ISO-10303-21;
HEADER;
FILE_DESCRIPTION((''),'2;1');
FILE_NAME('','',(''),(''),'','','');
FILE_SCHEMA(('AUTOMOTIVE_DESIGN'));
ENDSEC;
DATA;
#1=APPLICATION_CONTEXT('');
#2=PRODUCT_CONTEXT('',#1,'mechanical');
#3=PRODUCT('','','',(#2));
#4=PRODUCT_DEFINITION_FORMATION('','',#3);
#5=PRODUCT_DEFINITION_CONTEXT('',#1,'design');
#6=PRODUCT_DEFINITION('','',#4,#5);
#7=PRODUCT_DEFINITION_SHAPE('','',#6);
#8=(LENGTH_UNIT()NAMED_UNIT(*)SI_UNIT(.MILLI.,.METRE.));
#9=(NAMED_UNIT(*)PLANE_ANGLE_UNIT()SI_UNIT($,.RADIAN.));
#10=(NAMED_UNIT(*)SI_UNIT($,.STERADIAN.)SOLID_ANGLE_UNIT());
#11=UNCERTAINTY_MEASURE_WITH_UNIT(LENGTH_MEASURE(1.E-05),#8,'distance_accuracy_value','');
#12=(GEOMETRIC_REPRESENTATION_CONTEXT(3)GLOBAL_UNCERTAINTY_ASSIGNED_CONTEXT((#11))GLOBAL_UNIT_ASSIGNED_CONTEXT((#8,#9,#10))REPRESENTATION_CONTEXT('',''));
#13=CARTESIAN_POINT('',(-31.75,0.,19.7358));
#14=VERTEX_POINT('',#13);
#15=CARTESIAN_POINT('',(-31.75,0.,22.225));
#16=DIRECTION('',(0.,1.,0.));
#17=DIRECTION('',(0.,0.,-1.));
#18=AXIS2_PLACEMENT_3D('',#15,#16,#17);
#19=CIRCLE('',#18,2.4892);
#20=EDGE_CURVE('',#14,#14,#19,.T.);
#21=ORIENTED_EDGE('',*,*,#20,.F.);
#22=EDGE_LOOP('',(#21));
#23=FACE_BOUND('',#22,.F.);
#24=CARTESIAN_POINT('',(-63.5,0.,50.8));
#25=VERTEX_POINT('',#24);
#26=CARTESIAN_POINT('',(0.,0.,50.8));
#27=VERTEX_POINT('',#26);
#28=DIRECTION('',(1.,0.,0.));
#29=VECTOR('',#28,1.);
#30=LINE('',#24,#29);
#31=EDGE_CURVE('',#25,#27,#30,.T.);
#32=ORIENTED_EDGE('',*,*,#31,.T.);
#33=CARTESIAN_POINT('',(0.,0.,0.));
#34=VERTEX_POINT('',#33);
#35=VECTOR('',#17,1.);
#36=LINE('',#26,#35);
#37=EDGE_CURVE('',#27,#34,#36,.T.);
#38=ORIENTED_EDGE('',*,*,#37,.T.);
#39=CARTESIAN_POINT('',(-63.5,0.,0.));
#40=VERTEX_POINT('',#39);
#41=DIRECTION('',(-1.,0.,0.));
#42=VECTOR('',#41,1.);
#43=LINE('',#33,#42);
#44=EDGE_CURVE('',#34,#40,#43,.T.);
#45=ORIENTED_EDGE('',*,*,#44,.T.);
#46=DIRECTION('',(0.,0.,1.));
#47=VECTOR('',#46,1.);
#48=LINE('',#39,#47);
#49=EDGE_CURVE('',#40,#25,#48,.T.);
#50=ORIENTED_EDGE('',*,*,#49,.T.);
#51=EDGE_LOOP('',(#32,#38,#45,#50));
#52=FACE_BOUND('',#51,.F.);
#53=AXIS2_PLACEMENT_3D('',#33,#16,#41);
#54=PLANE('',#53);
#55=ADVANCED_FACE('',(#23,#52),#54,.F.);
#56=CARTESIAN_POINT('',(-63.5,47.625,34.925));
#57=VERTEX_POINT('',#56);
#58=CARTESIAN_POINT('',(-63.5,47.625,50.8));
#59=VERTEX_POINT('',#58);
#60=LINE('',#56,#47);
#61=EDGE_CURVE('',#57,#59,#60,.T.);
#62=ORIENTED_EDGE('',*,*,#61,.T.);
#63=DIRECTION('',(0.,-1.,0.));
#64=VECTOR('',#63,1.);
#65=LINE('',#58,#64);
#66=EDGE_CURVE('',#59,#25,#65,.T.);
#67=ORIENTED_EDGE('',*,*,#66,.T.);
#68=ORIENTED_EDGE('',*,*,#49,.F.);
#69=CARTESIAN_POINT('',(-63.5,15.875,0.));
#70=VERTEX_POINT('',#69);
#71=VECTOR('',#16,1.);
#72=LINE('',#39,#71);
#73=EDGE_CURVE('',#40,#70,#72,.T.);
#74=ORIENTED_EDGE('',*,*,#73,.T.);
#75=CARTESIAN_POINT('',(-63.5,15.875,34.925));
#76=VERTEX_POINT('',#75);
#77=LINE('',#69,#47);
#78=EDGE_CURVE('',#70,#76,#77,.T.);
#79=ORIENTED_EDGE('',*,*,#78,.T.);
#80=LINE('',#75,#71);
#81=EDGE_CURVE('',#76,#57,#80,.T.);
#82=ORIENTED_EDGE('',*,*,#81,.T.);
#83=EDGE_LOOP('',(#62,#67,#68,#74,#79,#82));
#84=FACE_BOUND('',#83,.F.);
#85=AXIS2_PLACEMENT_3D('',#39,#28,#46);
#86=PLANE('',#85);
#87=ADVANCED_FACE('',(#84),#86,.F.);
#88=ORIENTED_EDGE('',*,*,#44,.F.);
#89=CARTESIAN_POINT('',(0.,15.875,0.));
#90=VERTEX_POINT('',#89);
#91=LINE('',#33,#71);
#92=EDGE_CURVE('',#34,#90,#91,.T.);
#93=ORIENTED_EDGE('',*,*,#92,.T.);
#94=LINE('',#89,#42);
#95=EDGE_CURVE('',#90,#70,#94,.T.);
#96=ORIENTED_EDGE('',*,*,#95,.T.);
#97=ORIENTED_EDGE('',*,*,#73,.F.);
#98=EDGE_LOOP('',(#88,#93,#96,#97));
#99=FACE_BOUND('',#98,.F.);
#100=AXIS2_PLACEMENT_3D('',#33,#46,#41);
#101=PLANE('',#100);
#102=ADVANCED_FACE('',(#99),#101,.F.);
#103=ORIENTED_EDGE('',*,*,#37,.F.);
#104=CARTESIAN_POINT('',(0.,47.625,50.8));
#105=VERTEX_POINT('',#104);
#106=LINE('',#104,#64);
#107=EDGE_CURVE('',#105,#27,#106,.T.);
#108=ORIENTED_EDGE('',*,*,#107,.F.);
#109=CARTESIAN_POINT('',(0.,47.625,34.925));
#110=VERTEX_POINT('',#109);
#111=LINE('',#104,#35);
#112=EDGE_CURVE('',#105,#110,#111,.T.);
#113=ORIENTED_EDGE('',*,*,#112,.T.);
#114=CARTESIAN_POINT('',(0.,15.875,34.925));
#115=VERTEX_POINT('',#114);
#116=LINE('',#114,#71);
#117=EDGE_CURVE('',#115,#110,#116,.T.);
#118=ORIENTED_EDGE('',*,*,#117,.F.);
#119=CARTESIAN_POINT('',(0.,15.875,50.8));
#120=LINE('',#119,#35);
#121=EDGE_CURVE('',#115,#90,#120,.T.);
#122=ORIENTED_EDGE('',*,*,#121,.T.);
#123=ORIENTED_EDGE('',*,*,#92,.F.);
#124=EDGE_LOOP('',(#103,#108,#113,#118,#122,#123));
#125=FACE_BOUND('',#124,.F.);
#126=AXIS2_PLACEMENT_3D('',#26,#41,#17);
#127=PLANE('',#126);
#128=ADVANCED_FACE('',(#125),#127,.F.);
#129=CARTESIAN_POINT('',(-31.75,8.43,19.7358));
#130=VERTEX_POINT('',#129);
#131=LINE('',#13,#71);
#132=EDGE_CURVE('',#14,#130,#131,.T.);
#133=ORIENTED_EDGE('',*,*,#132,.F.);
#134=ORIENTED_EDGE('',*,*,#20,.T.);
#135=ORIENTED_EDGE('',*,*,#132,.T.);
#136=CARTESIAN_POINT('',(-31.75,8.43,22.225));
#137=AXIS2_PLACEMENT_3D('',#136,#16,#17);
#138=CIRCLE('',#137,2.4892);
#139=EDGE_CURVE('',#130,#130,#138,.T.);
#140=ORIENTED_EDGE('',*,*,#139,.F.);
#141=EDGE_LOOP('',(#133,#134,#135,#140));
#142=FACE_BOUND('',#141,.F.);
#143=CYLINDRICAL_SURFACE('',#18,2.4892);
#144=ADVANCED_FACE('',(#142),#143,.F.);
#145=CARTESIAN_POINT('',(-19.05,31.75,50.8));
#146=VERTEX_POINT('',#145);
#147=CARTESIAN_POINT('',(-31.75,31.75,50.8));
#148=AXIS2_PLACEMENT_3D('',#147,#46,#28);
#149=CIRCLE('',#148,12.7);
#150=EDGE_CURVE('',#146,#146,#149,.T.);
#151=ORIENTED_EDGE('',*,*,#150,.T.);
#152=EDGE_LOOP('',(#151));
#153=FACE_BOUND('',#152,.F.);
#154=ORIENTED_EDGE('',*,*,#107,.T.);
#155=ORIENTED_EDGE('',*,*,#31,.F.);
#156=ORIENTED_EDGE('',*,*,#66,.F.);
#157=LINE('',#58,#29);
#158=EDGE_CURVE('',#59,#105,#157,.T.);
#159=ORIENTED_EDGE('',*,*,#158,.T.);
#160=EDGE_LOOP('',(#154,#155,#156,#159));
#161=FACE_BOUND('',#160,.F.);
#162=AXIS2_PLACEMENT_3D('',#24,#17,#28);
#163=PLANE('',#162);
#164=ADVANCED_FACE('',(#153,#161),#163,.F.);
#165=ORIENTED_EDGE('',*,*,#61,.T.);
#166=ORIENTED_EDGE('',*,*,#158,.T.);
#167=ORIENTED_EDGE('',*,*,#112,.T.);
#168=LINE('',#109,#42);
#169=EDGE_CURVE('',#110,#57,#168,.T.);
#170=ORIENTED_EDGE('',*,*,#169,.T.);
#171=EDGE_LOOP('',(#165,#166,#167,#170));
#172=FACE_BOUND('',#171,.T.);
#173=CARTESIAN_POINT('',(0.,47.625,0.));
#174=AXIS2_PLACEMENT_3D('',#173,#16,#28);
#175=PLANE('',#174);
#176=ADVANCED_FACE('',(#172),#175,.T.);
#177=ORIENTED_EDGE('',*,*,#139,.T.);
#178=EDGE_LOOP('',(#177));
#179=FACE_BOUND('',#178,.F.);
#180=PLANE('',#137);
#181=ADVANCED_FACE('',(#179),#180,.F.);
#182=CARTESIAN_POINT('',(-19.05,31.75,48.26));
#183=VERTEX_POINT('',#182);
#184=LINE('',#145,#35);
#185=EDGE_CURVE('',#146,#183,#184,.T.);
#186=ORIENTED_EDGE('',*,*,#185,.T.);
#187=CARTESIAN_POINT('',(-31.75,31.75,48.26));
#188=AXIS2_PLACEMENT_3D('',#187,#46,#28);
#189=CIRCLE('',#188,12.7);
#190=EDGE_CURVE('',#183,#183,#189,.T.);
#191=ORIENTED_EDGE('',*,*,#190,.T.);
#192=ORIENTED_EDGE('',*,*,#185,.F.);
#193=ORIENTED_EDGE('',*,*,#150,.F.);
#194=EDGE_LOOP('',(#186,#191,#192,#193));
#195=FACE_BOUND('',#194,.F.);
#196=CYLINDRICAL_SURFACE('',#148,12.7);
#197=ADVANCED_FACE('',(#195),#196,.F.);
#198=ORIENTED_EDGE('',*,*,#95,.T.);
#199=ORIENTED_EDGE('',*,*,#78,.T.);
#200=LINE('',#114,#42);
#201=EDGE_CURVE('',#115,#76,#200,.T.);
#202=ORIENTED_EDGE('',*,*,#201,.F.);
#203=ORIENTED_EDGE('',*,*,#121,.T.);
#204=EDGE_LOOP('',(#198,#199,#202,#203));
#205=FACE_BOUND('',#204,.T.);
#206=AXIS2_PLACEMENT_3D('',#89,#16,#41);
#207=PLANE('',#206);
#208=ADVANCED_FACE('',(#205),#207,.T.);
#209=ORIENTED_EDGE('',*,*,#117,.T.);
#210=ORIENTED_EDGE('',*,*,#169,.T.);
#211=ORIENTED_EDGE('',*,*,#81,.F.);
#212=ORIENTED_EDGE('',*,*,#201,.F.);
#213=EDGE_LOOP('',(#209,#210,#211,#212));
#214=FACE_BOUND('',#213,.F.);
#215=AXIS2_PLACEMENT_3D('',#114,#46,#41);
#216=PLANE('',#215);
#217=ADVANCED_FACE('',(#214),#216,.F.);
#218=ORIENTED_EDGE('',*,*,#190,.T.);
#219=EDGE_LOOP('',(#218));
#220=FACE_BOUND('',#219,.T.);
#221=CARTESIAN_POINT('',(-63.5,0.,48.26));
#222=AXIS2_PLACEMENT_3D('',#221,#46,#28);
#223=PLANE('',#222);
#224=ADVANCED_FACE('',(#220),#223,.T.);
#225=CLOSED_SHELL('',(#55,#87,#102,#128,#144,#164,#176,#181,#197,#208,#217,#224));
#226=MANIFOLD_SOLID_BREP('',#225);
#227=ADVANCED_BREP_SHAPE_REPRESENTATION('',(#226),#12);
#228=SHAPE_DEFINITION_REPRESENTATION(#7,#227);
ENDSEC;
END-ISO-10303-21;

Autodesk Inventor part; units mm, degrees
ref_plane "YZ Plane" through (0, 0, 0) normal (1, 0, 0) x (0, 1, 0)
ref_plane "XZ Plane" through (0, 0, 0) normal (0, 1, 0) x (-1, 0, 0)
ref_plane "XY Plane" through (0, 0, 0) normal (0, 0, 1) x (1, 0, 0)
sketch "Sketch1" plane through (0, 0, 0) normal (0, 1, 0) x (-1, 0, 0)
  line L0 (0, 0) -> (63.5, 0)
  line L1 (63.5, 0) -> (63.5, 50.8)
  line L2 (63.5, 50.8) -> (0, 50.8)
  line L3 (0, 50.8) -> (0, 0)
  dimension "cameraWidth" = 63.5
  dimension "cameraDepth" = 50.8
extrude "Extrusion1" add sketch "Sketch1" along normal blind 15.875
sketch "Sketch2" plane through (0, 15.875, 0) normal (0, 1, 0) x (1, 0, 0)
  line L0 (0, -50.8) -> (0, 0) projected
  line L1 (-63.5, -50.8) -> (0, -50.8)
  line L2 (0, -50.8) -> (0, -34.925)
  line L3 (0, -34.925) -> (-63.5, -34.925)
  line L4 (-63.5, -34.925) -> (-63.5, -50.8)
  dimension "d4" = 15.875
extrude "Extrusion2" add sketch "Sketch2" along normal blind 31.75
sketch "Sketch3" plane through (-63.5, 0, 50.8) normal (0, 0, 1) x (1, 0, 0)
  line L0 (0, 0) -> (63.5, 0) projected
  line L1 (0, 0) -> (0, 47.625) projected
  circle A0 centre (31.75, 31.75) radius 12.7
  dimension "d7" = 31.75
  dimension "cameraLensHeight" = 31.75
  dimension "d9" = 25.4
extrude "Extrusion3" cut sketch "Sketch3" against normal blind 2.54
sketch "Sketch4" plane through (-63.5, 0, 50.8) normal (0, 0, 1) x (1, 0, 0)
  circle A0 centre (31.75, 31.75) radius 12.7 projected
  line L0 (0, 0) -> (63.5, 0) projected
  line L1 (63.5, 0) -> (63.5, 47.625) projected
  line L2 (0, 47.625) -> (63.5, 47.625) projected
  line L3 (0, 0) -> (0, 47.625) projected
  line L4 (0, 31.75) -> (63.5, 31.75)
  line L5 (31.75, 47.625) -> (31.75, 0)
  dimension "d12" = 31.75
sketch "Sketch5" plane through (0, 0, 0) normal (0, -1, 0) x (1, 0, 0)
  line L0 (0, 0) -> (-63.5, 0) projected
  line L1 (0, 50.8) -> (0, 0) projected
  line L2 (-63.5, 50.8) -> (0, 50.8) projected
  line L3 (-63.5, 0) -> (-63.5, 50.8) projected
  line L4 (-63.5, 22.225) -> (0, 22.225)
  line L5 (-31.75, 50.8) -> (-31.75, 0)
  circle A0 centre (-31.75, 22.225) radius 7.8401
  dimension "cameraMountingHoleDistanceFromFront" = 28.575
hole "Hole1" at (-31.75, 0, 22.225) direction (0, 1, 0) diameter 4.9784 depth 8.43 thread size "1/4-20 UNC" class "2B" standard "ANSI Unified Screw Threads"
equation "\"d7\" = 0.5 * cameraWidth"
equation "\"d12\" = cameraLensHeight"
properties part number "camera"
